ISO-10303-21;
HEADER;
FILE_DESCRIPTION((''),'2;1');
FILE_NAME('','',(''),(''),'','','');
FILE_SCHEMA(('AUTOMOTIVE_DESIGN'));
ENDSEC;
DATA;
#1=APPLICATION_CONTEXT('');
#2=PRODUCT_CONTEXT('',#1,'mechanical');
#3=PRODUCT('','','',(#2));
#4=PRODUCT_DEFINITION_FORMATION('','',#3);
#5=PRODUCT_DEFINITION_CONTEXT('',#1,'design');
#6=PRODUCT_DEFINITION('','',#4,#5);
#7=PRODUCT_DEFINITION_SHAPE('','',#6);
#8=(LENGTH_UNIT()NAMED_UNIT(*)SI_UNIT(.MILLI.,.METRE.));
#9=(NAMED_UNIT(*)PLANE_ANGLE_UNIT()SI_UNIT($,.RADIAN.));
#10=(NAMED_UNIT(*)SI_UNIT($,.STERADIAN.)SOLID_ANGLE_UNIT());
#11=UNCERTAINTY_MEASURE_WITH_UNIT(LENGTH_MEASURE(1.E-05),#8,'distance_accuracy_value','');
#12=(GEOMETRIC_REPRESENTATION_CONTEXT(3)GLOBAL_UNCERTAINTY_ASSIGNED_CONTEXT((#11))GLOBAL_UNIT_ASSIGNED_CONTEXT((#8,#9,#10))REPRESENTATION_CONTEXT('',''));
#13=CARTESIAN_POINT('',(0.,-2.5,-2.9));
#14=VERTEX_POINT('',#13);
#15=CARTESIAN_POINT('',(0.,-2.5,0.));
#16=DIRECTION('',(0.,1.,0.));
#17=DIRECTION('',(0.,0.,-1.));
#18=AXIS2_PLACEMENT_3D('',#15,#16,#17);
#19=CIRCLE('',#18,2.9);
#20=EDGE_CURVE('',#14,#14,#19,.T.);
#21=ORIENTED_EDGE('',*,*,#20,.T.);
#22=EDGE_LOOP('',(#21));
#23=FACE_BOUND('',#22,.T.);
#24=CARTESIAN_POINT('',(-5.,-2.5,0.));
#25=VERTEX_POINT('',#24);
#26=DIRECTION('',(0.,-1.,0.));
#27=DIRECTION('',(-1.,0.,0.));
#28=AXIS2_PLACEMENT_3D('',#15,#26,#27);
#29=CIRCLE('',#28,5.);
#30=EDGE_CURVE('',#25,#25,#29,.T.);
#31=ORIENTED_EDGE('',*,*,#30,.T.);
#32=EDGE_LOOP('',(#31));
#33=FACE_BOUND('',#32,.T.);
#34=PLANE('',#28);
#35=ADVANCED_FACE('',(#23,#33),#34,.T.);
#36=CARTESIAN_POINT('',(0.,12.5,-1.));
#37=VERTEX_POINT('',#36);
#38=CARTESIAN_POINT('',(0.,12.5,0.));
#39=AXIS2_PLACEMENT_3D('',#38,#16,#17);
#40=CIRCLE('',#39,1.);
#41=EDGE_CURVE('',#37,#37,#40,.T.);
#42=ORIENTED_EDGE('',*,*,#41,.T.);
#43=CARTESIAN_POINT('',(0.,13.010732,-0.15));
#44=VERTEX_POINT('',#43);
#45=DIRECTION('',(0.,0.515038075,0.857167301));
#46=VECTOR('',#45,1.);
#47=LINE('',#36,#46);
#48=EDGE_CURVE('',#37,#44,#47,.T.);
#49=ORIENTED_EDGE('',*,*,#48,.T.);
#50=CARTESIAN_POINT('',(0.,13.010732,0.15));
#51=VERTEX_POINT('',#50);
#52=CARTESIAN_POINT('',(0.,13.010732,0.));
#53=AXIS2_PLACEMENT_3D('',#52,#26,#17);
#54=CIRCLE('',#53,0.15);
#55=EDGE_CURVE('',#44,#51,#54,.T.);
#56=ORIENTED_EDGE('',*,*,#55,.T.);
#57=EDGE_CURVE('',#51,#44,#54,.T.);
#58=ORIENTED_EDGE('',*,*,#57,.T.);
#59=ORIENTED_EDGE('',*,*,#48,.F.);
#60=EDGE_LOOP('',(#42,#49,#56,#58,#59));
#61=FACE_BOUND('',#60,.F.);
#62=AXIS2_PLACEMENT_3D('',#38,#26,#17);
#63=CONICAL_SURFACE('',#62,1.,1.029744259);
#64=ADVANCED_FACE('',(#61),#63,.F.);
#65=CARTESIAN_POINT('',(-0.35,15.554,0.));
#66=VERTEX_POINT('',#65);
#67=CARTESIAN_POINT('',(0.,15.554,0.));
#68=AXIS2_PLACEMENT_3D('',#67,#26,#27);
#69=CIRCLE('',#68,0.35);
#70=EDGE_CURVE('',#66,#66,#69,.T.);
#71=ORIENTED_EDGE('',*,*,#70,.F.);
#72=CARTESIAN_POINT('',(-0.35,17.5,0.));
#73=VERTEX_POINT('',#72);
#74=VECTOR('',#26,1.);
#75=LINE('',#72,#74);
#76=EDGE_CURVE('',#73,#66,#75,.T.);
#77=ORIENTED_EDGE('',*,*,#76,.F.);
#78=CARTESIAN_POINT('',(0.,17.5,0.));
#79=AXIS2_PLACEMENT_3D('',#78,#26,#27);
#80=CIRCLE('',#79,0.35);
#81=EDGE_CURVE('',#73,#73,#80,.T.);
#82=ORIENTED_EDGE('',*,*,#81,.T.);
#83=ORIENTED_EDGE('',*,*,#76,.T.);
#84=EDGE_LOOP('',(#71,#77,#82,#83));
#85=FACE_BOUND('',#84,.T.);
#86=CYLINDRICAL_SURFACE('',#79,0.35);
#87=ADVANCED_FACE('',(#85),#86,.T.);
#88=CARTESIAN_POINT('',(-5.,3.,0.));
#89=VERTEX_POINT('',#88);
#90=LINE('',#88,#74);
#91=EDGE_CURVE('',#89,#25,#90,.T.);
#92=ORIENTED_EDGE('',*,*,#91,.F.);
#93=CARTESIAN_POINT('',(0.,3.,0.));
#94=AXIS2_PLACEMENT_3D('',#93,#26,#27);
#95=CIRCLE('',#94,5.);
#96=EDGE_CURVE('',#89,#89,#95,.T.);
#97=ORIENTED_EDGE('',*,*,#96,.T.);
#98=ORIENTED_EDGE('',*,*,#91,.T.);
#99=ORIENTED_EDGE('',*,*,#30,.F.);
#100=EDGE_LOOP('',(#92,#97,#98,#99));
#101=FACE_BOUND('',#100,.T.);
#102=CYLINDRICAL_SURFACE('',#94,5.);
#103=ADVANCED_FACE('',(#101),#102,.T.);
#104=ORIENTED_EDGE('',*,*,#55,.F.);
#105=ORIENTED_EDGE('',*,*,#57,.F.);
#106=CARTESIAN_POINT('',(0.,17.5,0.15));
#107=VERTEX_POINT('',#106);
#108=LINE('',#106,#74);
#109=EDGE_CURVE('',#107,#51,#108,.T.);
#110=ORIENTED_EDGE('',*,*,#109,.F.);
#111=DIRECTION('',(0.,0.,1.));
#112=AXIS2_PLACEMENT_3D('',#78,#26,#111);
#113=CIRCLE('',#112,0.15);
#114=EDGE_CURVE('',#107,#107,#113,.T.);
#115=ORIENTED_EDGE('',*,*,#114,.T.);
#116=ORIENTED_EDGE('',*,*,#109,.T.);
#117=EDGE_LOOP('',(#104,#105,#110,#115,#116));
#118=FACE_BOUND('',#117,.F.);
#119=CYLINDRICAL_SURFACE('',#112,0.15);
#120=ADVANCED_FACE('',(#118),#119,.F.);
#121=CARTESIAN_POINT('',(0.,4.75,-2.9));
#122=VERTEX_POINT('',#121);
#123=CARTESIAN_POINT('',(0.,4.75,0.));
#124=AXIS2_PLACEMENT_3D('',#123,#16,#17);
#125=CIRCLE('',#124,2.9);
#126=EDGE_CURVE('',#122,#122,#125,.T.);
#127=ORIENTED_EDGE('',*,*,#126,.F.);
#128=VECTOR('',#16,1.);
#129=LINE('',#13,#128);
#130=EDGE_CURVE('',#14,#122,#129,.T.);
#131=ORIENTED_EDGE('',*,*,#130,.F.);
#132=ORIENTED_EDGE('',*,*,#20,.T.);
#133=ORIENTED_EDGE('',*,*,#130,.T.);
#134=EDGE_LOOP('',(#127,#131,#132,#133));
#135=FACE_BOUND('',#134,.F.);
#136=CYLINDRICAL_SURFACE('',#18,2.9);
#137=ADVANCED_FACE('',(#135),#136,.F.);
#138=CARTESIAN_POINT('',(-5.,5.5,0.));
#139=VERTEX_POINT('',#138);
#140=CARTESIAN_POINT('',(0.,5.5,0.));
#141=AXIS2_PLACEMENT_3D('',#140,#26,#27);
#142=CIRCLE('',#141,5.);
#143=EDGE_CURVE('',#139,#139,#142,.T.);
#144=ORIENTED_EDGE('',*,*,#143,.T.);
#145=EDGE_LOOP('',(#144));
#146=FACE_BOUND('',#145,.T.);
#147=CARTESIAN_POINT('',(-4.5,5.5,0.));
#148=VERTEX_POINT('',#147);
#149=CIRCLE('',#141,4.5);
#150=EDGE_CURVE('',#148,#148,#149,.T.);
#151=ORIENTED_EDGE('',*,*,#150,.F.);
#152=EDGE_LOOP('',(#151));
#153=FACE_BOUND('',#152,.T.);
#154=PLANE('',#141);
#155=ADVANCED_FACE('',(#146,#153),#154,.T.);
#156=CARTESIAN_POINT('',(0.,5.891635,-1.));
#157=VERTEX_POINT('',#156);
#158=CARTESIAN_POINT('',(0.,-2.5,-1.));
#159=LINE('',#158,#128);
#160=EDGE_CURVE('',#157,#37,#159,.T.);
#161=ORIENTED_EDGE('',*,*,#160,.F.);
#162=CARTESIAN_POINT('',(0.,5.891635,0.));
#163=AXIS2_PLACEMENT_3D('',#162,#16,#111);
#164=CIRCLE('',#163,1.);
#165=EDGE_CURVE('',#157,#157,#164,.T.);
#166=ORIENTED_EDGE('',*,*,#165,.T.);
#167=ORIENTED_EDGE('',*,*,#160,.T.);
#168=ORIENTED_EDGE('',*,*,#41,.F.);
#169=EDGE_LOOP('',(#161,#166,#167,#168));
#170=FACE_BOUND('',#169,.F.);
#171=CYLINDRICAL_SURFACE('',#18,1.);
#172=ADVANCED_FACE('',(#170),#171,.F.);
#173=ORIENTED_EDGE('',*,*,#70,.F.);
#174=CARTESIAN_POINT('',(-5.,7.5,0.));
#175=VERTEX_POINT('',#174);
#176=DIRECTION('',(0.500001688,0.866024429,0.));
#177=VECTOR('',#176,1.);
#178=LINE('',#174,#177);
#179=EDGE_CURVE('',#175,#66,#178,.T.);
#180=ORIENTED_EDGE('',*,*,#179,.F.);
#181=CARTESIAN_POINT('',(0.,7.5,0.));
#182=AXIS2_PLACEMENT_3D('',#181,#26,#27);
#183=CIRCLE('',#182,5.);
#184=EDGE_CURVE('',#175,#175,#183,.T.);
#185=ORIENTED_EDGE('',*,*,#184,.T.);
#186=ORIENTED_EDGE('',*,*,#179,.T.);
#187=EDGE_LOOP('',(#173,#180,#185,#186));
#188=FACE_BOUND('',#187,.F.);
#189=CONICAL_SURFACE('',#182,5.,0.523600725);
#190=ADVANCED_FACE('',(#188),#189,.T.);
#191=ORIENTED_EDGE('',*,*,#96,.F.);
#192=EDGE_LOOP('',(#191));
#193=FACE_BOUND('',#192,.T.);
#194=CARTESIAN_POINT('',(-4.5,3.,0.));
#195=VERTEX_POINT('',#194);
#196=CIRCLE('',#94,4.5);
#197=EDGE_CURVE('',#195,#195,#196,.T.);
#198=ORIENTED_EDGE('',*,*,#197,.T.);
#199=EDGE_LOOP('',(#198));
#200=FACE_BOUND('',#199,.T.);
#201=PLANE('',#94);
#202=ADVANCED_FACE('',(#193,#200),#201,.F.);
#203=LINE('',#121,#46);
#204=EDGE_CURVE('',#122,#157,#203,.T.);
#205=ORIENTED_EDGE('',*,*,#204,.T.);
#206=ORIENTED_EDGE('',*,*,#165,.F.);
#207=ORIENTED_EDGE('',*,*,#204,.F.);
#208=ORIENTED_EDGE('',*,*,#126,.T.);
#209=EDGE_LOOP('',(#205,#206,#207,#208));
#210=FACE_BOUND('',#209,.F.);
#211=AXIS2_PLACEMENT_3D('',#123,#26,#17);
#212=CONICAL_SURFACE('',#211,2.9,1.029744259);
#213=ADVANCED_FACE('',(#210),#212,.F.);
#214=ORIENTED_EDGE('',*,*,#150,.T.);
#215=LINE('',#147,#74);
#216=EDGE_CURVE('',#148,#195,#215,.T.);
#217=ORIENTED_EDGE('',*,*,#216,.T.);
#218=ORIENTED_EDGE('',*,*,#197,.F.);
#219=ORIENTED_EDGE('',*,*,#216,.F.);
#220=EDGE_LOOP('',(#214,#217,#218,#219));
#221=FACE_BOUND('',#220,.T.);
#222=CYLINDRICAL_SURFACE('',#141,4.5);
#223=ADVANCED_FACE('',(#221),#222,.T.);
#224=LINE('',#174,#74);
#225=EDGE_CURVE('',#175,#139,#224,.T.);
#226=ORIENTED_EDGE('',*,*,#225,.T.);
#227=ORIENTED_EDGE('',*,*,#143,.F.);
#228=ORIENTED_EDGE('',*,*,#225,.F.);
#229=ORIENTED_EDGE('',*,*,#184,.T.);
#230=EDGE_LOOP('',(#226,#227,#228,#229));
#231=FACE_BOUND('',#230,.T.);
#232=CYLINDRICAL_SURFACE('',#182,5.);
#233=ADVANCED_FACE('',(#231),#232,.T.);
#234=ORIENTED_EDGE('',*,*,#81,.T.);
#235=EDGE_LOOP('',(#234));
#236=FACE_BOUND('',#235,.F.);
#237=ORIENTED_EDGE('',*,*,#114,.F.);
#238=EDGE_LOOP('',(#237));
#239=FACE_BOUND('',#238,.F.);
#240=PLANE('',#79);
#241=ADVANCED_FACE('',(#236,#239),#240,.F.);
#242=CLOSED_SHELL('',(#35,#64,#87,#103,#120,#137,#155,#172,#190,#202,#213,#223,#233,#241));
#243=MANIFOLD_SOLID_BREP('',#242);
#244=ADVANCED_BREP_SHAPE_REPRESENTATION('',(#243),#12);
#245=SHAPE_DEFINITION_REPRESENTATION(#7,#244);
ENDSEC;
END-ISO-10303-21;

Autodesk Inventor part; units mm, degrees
ref_plane "YZ Plane" through (0, 0, 0) normal (1, 0, 0) x (0, 1, 0)
ref_plane "XZ Plane" through (0, 0, 0) normal (0, 1, 0) x (-1, 0, 0)
ref_plane "XY Plane" through (0, 0, 0) normal (0, 0, 1) x (1, 0, 0)
sketch "Sketch1" plane through (0, 0, 0) normal (0, 0, 1) x (1, 0, 0)
  line L0 (0, 14.375) -> (0, 5.6)
  line L1 (0, 14.375) -> (0, 17.5)
  line L2 (-0.35, 17.5) -> (-0.35, 15.554)
  line L3 (0, 17.5) -> (0, 5.6)
  line L4 (-0.35, 17.5) -> (0, 17.5)
  line L5 (-5, 7.5) -> (-0.35, 15.554)
  line L6 (-5, 7.5) -> (6.0041, 7.5) construction
  line L7 (-5, -2.5) -> (-2.8, -2.5)
  line L8 (-2.8, -2.5) -> (0, -2.5)
  line L9 (0, -2.5) -> (0, 5.6)
  line L10 (-5, 7.5) -> (-5, 5.5)
  line L11 (-5, 5.5) -> (-4.5, 5.5)
  line L12 (-4.5, 5.5) -> (-4.5, 3)
  line L13 (-4.5, 3) -> (-5, 3)
  line L14 (-5, 7.5) -> (-5, 5.5)
  line L15 (-5, 3) -> (-5, -2.5)
  dimension "d81" = 60
  dimension "d82" = 10
  dimension "d83" = 0.35
  dimension "d84" = 1.946
  dimension "d85" = 8.054
  dimension "d87" = 10
  dimension "d106" = 20
  dimension "d107" = 5
  dimension "d131" = 2
  dimension "d132" = 0.5
  dimension "d133" = 2.5
revolve "Revolution1" add sketch "Sketch1" angle 360 about axis through (0, 14.375, 0) along (0, -1, 0)
ref_plane "Work Plane3" through (0, -2.5, 0) normal (0, 1, 0) x (-1, 0, 0)
sketch "Sketch5" plane through (0, -2.5, 0) normal (0, 1, 0) x (-1, 0, 0)
  point P0 (0, 0)
sketch "Sketch6" plane through (0, -2.5, 0) normal (0, -1, 0) x (1, 0, 0)
  circle A0 centre (0, 0) radius 2.9
  dimension "d108" = 5.8
hole "Hole6" at (0, -2.5, 0) direction (0, 1, 0) diameter 5.8 depth 7.25 tip angle 118
hole "Hole7" at (0, -2.5, 0) direction (0, 1, 0) diameter 2 depth 15 tip angle 118
sketch "Sketch7" plane through (0, 17.5, 0) normal (0, 1, 0) x (1, 0, 0)
  circle A0 centre (0, 0) radius 0.075
  dimension "d123" = 0.15
hole "Hole8" at (0, 17.5, 0) direction (0, -1, 0) diameter 0.3 end through all
properties part number "Nozzle"
